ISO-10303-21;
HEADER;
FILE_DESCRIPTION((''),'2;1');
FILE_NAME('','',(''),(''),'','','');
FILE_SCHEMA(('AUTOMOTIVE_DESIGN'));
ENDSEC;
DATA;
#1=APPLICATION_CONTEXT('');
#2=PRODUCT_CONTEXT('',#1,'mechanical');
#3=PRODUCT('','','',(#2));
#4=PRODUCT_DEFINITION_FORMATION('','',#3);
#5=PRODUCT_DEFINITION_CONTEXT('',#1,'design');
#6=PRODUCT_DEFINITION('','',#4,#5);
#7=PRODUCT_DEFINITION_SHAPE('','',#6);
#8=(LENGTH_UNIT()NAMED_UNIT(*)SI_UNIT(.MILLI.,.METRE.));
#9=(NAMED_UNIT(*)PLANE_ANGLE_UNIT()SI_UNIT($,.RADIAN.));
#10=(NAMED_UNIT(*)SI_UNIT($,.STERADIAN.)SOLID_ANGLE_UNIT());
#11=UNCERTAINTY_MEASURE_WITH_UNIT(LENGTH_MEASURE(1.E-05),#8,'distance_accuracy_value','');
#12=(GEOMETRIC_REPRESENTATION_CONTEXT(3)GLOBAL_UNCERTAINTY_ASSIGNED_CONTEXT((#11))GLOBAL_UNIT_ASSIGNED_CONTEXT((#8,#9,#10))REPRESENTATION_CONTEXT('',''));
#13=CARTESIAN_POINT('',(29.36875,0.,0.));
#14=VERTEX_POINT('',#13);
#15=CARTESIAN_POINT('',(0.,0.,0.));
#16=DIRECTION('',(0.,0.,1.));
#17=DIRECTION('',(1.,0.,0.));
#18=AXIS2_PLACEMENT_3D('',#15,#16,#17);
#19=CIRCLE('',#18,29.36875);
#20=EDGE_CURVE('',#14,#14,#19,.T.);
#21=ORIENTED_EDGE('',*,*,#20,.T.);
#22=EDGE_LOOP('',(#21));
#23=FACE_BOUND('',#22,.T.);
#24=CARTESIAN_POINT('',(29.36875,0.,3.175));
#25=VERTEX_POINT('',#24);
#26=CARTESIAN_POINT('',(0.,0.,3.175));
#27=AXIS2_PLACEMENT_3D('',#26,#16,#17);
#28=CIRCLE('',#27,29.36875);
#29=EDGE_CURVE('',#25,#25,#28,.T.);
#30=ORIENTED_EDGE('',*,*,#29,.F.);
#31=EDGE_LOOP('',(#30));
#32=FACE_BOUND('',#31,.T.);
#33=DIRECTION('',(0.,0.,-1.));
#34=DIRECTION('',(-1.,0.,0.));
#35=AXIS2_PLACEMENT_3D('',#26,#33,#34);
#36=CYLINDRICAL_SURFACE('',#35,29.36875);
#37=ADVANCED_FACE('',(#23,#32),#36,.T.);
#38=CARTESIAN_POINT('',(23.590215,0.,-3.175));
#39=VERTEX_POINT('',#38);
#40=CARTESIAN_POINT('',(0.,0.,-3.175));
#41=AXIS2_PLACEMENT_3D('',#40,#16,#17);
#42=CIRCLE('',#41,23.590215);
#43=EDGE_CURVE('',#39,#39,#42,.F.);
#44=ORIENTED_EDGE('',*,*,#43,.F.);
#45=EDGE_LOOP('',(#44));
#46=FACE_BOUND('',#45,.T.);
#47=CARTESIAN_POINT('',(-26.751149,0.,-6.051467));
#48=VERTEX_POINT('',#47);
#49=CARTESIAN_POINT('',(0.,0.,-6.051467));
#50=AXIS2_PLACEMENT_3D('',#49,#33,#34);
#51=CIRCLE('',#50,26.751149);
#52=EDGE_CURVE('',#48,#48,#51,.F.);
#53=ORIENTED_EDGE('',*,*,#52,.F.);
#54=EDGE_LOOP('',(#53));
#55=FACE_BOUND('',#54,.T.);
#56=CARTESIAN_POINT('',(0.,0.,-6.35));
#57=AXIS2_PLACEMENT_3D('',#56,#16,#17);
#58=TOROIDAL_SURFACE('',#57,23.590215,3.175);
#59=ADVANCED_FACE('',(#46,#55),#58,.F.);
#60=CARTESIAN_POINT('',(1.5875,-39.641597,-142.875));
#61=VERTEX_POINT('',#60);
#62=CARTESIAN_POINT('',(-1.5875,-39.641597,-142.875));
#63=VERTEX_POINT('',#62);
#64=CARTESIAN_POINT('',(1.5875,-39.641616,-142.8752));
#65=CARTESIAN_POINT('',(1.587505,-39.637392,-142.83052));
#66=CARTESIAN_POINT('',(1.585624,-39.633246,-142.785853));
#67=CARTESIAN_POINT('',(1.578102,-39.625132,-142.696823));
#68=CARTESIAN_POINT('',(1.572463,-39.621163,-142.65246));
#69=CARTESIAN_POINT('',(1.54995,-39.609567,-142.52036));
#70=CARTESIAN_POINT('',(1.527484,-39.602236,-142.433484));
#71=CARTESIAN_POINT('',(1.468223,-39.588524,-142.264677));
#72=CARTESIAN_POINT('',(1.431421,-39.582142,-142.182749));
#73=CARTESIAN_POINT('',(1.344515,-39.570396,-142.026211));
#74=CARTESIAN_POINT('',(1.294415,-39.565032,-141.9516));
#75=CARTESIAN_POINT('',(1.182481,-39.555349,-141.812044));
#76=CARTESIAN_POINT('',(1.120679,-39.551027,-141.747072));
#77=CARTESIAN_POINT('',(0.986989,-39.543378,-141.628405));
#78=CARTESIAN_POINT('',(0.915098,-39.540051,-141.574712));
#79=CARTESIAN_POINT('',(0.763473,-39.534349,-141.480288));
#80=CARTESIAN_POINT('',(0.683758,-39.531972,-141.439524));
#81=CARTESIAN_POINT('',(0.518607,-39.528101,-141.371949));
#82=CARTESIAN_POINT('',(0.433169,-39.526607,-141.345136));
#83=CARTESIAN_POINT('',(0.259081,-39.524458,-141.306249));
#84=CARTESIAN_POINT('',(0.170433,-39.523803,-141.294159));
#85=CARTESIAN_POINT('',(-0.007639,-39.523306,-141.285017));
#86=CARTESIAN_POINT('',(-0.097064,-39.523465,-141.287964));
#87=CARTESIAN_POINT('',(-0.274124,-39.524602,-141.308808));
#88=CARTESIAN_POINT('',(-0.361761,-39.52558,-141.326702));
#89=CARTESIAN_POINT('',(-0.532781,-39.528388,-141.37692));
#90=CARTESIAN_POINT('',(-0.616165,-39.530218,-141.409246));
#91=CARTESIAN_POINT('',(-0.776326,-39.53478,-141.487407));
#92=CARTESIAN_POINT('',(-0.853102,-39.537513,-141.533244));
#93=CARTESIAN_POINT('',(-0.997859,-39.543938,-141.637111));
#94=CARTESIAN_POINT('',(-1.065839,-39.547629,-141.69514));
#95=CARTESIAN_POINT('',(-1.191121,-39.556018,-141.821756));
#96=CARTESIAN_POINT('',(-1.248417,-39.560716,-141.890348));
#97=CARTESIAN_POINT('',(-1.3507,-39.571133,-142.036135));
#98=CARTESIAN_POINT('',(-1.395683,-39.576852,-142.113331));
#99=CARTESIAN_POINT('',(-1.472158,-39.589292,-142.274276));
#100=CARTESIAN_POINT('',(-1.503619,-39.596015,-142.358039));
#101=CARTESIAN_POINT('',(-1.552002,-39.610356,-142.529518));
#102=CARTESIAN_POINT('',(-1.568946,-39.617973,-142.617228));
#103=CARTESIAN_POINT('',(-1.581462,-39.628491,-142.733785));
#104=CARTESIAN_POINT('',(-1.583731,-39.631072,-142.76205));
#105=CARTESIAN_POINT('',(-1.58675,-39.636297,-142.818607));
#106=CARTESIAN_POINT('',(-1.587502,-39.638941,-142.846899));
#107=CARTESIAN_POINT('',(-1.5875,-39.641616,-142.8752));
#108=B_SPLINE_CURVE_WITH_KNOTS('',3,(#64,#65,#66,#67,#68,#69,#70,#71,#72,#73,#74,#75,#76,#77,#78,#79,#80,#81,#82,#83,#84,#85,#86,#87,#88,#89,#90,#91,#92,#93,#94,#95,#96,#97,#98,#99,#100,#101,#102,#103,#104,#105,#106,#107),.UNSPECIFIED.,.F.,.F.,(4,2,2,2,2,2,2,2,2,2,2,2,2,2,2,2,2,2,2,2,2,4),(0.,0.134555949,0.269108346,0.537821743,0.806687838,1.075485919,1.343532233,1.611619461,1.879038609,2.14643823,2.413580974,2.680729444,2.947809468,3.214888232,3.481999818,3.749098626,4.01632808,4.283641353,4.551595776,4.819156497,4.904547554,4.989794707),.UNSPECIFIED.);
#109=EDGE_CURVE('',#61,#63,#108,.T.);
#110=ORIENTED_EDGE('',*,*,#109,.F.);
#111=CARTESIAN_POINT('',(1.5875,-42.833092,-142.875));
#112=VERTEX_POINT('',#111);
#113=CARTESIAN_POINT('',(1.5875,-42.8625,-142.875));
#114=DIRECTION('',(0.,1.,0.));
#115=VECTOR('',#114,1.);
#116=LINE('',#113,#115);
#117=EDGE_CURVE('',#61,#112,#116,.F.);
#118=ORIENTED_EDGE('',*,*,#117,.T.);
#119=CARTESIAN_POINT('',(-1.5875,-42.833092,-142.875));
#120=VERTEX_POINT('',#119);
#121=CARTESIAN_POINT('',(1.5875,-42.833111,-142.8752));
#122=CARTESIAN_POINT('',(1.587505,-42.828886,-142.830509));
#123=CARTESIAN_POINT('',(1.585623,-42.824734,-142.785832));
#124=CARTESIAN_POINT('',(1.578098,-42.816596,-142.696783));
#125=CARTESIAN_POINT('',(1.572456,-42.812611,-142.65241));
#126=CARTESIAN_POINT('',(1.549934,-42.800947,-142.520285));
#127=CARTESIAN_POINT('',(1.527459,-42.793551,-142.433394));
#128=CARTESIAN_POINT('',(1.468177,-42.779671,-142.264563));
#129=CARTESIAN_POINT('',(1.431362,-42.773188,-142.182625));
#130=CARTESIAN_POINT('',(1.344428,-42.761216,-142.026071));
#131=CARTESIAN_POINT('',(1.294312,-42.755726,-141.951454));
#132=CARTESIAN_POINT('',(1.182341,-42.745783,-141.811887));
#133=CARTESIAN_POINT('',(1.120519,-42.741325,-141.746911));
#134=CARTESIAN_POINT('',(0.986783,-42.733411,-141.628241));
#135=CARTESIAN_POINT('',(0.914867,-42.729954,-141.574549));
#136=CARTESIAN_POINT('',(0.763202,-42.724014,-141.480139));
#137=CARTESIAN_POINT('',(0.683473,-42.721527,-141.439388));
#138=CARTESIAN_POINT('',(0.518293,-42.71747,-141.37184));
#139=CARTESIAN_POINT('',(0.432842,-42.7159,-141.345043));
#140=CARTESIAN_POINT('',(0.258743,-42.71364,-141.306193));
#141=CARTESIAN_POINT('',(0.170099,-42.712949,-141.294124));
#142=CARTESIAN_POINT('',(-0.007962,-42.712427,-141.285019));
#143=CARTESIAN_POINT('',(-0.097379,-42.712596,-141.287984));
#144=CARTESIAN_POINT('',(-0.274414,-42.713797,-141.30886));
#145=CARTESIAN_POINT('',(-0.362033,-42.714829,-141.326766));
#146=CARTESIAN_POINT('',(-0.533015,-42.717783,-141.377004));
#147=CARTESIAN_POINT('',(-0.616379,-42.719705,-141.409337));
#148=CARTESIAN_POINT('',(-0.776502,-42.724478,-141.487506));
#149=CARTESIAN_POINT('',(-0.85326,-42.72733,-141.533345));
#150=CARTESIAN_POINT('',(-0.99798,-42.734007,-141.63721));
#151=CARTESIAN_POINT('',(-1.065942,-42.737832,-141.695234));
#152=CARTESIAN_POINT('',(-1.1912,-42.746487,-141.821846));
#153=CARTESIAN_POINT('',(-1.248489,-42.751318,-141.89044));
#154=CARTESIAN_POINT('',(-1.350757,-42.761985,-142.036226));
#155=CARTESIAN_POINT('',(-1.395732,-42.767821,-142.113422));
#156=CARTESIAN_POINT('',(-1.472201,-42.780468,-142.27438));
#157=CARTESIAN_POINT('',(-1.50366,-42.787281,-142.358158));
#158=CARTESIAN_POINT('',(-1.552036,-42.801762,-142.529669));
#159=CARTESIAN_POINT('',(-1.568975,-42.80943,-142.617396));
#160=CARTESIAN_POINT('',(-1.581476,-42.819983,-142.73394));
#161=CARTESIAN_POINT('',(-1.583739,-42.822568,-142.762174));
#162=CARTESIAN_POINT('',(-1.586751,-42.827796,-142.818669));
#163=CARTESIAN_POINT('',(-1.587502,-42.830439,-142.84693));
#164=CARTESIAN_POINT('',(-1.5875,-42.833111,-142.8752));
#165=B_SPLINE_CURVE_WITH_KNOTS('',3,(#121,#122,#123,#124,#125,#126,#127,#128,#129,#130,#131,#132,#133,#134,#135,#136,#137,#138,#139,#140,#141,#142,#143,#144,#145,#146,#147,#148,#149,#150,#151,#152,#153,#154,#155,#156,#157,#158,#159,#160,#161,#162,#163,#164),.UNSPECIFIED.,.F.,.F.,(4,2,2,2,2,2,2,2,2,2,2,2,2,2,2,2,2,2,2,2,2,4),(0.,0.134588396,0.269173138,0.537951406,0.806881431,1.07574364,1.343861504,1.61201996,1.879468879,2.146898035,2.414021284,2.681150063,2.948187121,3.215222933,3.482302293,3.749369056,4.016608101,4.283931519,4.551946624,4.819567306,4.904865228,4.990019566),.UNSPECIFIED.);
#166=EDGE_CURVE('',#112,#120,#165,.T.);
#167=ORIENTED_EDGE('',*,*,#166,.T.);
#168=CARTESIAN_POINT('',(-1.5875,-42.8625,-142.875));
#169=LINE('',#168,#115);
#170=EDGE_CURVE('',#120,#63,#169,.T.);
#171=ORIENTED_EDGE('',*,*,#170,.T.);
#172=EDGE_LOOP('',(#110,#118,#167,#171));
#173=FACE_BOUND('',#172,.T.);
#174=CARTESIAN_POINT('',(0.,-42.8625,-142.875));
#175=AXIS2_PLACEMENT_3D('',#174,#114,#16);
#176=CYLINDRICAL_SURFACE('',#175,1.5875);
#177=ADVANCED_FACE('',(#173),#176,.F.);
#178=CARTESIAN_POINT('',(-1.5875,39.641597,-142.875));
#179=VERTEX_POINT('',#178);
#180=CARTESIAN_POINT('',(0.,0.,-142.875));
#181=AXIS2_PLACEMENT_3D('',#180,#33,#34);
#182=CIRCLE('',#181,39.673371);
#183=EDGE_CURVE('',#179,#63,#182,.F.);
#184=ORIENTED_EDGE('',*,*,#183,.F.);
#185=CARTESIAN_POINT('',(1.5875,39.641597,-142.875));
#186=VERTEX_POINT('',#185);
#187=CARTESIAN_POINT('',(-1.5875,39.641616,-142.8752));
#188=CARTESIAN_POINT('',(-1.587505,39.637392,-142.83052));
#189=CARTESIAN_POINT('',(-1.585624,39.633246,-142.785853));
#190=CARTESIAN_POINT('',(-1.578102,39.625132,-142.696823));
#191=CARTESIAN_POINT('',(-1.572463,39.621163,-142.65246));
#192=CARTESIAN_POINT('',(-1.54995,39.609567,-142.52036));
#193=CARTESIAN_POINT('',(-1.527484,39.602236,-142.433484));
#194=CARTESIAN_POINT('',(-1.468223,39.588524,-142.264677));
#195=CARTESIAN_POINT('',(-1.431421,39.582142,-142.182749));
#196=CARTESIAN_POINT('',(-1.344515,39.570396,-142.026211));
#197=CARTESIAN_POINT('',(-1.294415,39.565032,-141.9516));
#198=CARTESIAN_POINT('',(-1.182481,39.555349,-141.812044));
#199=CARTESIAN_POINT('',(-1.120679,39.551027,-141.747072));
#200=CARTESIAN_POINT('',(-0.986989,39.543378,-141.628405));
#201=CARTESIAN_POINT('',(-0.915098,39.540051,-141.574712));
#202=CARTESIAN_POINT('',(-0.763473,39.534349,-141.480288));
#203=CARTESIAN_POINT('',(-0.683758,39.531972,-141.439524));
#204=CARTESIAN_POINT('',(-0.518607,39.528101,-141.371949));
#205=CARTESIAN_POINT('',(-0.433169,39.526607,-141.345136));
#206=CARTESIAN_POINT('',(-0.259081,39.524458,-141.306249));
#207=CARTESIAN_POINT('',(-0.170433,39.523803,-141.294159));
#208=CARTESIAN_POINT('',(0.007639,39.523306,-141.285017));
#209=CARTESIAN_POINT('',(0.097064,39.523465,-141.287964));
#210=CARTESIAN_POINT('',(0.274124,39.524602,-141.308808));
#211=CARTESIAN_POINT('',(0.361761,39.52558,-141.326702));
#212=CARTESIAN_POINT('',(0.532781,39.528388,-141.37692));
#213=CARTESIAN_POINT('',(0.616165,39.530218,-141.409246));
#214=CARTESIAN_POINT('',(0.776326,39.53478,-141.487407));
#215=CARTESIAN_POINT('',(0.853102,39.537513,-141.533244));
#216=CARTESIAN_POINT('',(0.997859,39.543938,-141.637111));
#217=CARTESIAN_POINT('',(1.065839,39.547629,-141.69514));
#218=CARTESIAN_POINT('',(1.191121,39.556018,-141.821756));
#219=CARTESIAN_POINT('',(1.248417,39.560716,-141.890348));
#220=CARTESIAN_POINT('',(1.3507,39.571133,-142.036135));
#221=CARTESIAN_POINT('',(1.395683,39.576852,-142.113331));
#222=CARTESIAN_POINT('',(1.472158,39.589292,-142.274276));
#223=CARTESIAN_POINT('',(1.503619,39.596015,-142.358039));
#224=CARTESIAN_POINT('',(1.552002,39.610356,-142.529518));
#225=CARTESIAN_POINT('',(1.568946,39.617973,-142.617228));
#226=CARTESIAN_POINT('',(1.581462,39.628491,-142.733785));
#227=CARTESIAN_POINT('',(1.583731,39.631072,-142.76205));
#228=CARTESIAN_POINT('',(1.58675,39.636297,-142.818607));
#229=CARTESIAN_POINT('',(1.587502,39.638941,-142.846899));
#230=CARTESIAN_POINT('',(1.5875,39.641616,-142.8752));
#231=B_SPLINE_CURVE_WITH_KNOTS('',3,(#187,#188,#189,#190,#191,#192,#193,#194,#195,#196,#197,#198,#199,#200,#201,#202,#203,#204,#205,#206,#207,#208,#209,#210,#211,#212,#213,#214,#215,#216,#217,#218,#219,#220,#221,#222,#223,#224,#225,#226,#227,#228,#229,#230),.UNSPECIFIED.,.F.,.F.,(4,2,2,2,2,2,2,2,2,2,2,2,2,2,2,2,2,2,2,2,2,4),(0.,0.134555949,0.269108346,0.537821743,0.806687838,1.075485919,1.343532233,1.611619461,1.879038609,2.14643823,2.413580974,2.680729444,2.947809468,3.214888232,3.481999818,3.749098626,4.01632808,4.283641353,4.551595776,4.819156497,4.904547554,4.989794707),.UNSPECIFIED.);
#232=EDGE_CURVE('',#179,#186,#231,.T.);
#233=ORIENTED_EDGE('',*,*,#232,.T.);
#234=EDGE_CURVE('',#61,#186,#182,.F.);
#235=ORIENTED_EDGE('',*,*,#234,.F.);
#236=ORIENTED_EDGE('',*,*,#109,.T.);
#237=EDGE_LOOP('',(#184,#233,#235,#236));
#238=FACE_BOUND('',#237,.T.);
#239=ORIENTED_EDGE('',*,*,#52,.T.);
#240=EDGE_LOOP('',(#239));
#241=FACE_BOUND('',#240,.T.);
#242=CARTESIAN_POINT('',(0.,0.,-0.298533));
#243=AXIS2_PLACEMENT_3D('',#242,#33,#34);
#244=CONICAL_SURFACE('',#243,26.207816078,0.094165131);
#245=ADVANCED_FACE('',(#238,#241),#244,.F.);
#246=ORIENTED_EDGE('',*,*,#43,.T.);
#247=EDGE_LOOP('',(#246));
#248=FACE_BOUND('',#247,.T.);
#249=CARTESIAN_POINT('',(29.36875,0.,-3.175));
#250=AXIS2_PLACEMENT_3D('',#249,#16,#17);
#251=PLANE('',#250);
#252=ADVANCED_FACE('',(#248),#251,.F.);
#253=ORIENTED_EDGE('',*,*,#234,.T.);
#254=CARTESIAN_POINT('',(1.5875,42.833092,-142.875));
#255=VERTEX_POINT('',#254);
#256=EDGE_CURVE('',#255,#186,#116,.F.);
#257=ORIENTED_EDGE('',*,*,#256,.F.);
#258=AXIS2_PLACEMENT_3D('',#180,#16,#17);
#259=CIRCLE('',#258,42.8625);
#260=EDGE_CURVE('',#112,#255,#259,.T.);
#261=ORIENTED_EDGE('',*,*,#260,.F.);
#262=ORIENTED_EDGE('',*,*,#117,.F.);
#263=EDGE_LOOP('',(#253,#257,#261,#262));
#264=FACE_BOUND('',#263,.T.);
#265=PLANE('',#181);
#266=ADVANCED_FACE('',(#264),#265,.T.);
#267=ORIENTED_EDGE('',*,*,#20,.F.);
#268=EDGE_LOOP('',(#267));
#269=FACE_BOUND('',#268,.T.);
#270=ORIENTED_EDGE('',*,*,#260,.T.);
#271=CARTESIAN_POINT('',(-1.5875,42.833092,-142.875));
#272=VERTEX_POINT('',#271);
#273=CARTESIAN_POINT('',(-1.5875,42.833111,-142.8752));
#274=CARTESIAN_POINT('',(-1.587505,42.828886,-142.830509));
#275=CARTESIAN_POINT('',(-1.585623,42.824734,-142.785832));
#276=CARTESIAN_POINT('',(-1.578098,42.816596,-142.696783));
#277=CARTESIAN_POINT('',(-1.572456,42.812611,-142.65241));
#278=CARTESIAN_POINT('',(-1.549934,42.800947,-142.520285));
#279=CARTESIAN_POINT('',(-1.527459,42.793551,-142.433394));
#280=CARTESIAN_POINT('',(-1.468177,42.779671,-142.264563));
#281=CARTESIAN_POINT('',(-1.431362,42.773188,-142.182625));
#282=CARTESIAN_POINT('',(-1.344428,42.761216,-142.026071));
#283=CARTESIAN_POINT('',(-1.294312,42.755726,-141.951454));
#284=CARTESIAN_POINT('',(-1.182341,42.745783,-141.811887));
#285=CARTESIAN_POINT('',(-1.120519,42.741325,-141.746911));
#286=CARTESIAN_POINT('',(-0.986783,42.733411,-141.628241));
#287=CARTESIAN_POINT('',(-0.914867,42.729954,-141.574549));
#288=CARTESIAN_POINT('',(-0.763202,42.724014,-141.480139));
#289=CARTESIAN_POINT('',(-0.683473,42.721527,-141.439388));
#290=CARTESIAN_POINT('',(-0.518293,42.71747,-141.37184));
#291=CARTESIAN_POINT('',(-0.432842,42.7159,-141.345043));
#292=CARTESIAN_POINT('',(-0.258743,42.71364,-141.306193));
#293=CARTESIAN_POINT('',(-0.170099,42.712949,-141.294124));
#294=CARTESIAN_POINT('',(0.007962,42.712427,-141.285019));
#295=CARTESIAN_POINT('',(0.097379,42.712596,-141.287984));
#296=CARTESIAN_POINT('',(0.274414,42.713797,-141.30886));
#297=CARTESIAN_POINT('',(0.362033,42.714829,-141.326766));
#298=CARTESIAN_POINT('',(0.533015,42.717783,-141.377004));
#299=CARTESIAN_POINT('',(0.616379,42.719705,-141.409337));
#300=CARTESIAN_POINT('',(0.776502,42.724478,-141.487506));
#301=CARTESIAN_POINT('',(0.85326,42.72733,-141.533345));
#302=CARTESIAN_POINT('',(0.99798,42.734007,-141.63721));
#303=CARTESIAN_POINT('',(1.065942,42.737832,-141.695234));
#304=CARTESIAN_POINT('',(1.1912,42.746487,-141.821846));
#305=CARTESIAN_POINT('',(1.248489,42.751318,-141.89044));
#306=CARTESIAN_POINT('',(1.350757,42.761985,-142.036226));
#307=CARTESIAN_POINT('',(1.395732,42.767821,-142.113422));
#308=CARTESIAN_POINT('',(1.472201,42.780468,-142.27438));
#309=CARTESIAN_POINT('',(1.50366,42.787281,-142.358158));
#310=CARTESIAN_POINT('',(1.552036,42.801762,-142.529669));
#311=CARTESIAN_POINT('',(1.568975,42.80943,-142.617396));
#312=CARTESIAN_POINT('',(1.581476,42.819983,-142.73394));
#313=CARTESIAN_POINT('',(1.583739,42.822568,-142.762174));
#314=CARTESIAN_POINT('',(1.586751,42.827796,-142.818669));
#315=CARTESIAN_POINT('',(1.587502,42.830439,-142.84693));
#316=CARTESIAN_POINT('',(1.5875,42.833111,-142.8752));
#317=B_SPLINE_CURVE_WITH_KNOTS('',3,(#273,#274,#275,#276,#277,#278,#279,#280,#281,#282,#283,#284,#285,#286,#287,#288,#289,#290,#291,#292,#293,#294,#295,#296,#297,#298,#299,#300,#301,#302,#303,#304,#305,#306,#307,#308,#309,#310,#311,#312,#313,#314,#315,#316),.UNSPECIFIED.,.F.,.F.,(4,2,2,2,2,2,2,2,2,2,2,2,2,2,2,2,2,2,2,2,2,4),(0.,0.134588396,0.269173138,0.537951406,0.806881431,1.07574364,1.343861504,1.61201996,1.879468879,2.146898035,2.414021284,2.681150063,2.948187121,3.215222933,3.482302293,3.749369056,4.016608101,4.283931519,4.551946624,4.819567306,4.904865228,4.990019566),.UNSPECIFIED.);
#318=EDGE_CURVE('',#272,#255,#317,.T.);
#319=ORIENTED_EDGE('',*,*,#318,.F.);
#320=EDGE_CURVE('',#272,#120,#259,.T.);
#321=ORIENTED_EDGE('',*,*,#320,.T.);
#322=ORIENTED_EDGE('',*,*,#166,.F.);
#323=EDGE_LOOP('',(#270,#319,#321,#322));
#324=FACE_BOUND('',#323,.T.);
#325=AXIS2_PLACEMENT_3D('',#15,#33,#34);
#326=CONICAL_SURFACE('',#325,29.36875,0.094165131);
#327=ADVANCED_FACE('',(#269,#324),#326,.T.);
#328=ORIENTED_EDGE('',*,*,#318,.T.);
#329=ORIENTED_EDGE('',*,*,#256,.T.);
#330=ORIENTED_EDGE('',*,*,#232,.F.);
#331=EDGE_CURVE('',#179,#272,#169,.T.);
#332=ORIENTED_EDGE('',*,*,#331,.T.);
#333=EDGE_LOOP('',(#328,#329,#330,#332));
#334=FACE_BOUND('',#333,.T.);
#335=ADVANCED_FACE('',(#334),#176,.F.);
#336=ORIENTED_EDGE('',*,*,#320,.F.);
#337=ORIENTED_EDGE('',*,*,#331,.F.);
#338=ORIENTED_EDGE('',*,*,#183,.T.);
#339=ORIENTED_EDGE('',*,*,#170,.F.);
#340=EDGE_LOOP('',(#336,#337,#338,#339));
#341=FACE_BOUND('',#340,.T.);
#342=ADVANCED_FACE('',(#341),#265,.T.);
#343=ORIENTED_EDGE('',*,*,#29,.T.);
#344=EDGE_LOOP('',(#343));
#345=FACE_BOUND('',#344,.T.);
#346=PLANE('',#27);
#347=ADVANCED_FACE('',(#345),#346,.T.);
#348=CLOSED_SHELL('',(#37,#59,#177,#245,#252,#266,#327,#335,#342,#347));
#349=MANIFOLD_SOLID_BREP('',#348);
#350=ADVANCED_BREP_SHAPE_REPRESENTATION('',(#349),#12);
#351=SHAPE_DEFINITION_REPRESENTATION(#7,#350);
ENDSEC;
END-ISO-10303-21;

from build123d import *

# Parameters (mm, degrees)
SHELL3_T                = -3.175
SKETCH5_R               = 29.36875
BOSS_EXTRUDE1_DEPTH     = 3.175
FILLET1_R               = 3.175
CUT_EXTRUDE1_DEPTH      = 156.201976268
CUT_EXTRUDE1_DEPTH_BACK = 156.201976268
SKETCH6_R               = 1.5875


with BuildPart() as part:
    # Sketch2 → Revolve1 (revolve)
    with BuildSketch(Plane(origin=(0, 0, 0), x_dir=(1, 0, 0), z_dir=(0, 1, 0))):
        Polygon((29.36875, 0), (0, 0), (0, 142.875), (42.8625, 142.875), align=None)
    revolve(axis=Axis((0, 0, 0), (0, 0, -1)))

    # Shell3
    shell3_openings = [part.faces().sort_by_distance(p)[0] for p in [
        (0, 0, -142.875),
    ]]
    offset(amount=SHELL3_T, openings=shell3_openings, kind=Kind.INTERSECTION)

    # Sketch5 → Boss-Extrude1 (add)
    with BuildSketch(Plane.XY):
        Circle(SKETCH5_R)
    extrude(amount=BOSS_EXTRUDE1_DEPTH)

    # Fillet1
    fillet1_edges = [part.edges().sort_by_distance(p)[0] for p in [
        (-26.479482439, 0, -3.175),
    ]]
    fillet(fillet1_edges, radius=FILLET1_R)

    # Sketch6 → Cut-Extrude1 (cut, two sides: drawn at the far end of the back side and taken through both)
    with BuildSketch(Plane(origin=(0, 0, 0), x_dir=(1, 0, 0), z_dir=(0, 1, 0)).offset(-CUT_EXTRUDE1_DEPTH_BACK)):
        with Locations((0, 142.875)):
            Circle(SKETCH6_R)
    extrude(amount=CUT_EXTRUDE1_DEPTH + CUT_EXTRUDE1_DEPTH_BACK, mode=Mode.SUBTRACT)


solid = part.part
